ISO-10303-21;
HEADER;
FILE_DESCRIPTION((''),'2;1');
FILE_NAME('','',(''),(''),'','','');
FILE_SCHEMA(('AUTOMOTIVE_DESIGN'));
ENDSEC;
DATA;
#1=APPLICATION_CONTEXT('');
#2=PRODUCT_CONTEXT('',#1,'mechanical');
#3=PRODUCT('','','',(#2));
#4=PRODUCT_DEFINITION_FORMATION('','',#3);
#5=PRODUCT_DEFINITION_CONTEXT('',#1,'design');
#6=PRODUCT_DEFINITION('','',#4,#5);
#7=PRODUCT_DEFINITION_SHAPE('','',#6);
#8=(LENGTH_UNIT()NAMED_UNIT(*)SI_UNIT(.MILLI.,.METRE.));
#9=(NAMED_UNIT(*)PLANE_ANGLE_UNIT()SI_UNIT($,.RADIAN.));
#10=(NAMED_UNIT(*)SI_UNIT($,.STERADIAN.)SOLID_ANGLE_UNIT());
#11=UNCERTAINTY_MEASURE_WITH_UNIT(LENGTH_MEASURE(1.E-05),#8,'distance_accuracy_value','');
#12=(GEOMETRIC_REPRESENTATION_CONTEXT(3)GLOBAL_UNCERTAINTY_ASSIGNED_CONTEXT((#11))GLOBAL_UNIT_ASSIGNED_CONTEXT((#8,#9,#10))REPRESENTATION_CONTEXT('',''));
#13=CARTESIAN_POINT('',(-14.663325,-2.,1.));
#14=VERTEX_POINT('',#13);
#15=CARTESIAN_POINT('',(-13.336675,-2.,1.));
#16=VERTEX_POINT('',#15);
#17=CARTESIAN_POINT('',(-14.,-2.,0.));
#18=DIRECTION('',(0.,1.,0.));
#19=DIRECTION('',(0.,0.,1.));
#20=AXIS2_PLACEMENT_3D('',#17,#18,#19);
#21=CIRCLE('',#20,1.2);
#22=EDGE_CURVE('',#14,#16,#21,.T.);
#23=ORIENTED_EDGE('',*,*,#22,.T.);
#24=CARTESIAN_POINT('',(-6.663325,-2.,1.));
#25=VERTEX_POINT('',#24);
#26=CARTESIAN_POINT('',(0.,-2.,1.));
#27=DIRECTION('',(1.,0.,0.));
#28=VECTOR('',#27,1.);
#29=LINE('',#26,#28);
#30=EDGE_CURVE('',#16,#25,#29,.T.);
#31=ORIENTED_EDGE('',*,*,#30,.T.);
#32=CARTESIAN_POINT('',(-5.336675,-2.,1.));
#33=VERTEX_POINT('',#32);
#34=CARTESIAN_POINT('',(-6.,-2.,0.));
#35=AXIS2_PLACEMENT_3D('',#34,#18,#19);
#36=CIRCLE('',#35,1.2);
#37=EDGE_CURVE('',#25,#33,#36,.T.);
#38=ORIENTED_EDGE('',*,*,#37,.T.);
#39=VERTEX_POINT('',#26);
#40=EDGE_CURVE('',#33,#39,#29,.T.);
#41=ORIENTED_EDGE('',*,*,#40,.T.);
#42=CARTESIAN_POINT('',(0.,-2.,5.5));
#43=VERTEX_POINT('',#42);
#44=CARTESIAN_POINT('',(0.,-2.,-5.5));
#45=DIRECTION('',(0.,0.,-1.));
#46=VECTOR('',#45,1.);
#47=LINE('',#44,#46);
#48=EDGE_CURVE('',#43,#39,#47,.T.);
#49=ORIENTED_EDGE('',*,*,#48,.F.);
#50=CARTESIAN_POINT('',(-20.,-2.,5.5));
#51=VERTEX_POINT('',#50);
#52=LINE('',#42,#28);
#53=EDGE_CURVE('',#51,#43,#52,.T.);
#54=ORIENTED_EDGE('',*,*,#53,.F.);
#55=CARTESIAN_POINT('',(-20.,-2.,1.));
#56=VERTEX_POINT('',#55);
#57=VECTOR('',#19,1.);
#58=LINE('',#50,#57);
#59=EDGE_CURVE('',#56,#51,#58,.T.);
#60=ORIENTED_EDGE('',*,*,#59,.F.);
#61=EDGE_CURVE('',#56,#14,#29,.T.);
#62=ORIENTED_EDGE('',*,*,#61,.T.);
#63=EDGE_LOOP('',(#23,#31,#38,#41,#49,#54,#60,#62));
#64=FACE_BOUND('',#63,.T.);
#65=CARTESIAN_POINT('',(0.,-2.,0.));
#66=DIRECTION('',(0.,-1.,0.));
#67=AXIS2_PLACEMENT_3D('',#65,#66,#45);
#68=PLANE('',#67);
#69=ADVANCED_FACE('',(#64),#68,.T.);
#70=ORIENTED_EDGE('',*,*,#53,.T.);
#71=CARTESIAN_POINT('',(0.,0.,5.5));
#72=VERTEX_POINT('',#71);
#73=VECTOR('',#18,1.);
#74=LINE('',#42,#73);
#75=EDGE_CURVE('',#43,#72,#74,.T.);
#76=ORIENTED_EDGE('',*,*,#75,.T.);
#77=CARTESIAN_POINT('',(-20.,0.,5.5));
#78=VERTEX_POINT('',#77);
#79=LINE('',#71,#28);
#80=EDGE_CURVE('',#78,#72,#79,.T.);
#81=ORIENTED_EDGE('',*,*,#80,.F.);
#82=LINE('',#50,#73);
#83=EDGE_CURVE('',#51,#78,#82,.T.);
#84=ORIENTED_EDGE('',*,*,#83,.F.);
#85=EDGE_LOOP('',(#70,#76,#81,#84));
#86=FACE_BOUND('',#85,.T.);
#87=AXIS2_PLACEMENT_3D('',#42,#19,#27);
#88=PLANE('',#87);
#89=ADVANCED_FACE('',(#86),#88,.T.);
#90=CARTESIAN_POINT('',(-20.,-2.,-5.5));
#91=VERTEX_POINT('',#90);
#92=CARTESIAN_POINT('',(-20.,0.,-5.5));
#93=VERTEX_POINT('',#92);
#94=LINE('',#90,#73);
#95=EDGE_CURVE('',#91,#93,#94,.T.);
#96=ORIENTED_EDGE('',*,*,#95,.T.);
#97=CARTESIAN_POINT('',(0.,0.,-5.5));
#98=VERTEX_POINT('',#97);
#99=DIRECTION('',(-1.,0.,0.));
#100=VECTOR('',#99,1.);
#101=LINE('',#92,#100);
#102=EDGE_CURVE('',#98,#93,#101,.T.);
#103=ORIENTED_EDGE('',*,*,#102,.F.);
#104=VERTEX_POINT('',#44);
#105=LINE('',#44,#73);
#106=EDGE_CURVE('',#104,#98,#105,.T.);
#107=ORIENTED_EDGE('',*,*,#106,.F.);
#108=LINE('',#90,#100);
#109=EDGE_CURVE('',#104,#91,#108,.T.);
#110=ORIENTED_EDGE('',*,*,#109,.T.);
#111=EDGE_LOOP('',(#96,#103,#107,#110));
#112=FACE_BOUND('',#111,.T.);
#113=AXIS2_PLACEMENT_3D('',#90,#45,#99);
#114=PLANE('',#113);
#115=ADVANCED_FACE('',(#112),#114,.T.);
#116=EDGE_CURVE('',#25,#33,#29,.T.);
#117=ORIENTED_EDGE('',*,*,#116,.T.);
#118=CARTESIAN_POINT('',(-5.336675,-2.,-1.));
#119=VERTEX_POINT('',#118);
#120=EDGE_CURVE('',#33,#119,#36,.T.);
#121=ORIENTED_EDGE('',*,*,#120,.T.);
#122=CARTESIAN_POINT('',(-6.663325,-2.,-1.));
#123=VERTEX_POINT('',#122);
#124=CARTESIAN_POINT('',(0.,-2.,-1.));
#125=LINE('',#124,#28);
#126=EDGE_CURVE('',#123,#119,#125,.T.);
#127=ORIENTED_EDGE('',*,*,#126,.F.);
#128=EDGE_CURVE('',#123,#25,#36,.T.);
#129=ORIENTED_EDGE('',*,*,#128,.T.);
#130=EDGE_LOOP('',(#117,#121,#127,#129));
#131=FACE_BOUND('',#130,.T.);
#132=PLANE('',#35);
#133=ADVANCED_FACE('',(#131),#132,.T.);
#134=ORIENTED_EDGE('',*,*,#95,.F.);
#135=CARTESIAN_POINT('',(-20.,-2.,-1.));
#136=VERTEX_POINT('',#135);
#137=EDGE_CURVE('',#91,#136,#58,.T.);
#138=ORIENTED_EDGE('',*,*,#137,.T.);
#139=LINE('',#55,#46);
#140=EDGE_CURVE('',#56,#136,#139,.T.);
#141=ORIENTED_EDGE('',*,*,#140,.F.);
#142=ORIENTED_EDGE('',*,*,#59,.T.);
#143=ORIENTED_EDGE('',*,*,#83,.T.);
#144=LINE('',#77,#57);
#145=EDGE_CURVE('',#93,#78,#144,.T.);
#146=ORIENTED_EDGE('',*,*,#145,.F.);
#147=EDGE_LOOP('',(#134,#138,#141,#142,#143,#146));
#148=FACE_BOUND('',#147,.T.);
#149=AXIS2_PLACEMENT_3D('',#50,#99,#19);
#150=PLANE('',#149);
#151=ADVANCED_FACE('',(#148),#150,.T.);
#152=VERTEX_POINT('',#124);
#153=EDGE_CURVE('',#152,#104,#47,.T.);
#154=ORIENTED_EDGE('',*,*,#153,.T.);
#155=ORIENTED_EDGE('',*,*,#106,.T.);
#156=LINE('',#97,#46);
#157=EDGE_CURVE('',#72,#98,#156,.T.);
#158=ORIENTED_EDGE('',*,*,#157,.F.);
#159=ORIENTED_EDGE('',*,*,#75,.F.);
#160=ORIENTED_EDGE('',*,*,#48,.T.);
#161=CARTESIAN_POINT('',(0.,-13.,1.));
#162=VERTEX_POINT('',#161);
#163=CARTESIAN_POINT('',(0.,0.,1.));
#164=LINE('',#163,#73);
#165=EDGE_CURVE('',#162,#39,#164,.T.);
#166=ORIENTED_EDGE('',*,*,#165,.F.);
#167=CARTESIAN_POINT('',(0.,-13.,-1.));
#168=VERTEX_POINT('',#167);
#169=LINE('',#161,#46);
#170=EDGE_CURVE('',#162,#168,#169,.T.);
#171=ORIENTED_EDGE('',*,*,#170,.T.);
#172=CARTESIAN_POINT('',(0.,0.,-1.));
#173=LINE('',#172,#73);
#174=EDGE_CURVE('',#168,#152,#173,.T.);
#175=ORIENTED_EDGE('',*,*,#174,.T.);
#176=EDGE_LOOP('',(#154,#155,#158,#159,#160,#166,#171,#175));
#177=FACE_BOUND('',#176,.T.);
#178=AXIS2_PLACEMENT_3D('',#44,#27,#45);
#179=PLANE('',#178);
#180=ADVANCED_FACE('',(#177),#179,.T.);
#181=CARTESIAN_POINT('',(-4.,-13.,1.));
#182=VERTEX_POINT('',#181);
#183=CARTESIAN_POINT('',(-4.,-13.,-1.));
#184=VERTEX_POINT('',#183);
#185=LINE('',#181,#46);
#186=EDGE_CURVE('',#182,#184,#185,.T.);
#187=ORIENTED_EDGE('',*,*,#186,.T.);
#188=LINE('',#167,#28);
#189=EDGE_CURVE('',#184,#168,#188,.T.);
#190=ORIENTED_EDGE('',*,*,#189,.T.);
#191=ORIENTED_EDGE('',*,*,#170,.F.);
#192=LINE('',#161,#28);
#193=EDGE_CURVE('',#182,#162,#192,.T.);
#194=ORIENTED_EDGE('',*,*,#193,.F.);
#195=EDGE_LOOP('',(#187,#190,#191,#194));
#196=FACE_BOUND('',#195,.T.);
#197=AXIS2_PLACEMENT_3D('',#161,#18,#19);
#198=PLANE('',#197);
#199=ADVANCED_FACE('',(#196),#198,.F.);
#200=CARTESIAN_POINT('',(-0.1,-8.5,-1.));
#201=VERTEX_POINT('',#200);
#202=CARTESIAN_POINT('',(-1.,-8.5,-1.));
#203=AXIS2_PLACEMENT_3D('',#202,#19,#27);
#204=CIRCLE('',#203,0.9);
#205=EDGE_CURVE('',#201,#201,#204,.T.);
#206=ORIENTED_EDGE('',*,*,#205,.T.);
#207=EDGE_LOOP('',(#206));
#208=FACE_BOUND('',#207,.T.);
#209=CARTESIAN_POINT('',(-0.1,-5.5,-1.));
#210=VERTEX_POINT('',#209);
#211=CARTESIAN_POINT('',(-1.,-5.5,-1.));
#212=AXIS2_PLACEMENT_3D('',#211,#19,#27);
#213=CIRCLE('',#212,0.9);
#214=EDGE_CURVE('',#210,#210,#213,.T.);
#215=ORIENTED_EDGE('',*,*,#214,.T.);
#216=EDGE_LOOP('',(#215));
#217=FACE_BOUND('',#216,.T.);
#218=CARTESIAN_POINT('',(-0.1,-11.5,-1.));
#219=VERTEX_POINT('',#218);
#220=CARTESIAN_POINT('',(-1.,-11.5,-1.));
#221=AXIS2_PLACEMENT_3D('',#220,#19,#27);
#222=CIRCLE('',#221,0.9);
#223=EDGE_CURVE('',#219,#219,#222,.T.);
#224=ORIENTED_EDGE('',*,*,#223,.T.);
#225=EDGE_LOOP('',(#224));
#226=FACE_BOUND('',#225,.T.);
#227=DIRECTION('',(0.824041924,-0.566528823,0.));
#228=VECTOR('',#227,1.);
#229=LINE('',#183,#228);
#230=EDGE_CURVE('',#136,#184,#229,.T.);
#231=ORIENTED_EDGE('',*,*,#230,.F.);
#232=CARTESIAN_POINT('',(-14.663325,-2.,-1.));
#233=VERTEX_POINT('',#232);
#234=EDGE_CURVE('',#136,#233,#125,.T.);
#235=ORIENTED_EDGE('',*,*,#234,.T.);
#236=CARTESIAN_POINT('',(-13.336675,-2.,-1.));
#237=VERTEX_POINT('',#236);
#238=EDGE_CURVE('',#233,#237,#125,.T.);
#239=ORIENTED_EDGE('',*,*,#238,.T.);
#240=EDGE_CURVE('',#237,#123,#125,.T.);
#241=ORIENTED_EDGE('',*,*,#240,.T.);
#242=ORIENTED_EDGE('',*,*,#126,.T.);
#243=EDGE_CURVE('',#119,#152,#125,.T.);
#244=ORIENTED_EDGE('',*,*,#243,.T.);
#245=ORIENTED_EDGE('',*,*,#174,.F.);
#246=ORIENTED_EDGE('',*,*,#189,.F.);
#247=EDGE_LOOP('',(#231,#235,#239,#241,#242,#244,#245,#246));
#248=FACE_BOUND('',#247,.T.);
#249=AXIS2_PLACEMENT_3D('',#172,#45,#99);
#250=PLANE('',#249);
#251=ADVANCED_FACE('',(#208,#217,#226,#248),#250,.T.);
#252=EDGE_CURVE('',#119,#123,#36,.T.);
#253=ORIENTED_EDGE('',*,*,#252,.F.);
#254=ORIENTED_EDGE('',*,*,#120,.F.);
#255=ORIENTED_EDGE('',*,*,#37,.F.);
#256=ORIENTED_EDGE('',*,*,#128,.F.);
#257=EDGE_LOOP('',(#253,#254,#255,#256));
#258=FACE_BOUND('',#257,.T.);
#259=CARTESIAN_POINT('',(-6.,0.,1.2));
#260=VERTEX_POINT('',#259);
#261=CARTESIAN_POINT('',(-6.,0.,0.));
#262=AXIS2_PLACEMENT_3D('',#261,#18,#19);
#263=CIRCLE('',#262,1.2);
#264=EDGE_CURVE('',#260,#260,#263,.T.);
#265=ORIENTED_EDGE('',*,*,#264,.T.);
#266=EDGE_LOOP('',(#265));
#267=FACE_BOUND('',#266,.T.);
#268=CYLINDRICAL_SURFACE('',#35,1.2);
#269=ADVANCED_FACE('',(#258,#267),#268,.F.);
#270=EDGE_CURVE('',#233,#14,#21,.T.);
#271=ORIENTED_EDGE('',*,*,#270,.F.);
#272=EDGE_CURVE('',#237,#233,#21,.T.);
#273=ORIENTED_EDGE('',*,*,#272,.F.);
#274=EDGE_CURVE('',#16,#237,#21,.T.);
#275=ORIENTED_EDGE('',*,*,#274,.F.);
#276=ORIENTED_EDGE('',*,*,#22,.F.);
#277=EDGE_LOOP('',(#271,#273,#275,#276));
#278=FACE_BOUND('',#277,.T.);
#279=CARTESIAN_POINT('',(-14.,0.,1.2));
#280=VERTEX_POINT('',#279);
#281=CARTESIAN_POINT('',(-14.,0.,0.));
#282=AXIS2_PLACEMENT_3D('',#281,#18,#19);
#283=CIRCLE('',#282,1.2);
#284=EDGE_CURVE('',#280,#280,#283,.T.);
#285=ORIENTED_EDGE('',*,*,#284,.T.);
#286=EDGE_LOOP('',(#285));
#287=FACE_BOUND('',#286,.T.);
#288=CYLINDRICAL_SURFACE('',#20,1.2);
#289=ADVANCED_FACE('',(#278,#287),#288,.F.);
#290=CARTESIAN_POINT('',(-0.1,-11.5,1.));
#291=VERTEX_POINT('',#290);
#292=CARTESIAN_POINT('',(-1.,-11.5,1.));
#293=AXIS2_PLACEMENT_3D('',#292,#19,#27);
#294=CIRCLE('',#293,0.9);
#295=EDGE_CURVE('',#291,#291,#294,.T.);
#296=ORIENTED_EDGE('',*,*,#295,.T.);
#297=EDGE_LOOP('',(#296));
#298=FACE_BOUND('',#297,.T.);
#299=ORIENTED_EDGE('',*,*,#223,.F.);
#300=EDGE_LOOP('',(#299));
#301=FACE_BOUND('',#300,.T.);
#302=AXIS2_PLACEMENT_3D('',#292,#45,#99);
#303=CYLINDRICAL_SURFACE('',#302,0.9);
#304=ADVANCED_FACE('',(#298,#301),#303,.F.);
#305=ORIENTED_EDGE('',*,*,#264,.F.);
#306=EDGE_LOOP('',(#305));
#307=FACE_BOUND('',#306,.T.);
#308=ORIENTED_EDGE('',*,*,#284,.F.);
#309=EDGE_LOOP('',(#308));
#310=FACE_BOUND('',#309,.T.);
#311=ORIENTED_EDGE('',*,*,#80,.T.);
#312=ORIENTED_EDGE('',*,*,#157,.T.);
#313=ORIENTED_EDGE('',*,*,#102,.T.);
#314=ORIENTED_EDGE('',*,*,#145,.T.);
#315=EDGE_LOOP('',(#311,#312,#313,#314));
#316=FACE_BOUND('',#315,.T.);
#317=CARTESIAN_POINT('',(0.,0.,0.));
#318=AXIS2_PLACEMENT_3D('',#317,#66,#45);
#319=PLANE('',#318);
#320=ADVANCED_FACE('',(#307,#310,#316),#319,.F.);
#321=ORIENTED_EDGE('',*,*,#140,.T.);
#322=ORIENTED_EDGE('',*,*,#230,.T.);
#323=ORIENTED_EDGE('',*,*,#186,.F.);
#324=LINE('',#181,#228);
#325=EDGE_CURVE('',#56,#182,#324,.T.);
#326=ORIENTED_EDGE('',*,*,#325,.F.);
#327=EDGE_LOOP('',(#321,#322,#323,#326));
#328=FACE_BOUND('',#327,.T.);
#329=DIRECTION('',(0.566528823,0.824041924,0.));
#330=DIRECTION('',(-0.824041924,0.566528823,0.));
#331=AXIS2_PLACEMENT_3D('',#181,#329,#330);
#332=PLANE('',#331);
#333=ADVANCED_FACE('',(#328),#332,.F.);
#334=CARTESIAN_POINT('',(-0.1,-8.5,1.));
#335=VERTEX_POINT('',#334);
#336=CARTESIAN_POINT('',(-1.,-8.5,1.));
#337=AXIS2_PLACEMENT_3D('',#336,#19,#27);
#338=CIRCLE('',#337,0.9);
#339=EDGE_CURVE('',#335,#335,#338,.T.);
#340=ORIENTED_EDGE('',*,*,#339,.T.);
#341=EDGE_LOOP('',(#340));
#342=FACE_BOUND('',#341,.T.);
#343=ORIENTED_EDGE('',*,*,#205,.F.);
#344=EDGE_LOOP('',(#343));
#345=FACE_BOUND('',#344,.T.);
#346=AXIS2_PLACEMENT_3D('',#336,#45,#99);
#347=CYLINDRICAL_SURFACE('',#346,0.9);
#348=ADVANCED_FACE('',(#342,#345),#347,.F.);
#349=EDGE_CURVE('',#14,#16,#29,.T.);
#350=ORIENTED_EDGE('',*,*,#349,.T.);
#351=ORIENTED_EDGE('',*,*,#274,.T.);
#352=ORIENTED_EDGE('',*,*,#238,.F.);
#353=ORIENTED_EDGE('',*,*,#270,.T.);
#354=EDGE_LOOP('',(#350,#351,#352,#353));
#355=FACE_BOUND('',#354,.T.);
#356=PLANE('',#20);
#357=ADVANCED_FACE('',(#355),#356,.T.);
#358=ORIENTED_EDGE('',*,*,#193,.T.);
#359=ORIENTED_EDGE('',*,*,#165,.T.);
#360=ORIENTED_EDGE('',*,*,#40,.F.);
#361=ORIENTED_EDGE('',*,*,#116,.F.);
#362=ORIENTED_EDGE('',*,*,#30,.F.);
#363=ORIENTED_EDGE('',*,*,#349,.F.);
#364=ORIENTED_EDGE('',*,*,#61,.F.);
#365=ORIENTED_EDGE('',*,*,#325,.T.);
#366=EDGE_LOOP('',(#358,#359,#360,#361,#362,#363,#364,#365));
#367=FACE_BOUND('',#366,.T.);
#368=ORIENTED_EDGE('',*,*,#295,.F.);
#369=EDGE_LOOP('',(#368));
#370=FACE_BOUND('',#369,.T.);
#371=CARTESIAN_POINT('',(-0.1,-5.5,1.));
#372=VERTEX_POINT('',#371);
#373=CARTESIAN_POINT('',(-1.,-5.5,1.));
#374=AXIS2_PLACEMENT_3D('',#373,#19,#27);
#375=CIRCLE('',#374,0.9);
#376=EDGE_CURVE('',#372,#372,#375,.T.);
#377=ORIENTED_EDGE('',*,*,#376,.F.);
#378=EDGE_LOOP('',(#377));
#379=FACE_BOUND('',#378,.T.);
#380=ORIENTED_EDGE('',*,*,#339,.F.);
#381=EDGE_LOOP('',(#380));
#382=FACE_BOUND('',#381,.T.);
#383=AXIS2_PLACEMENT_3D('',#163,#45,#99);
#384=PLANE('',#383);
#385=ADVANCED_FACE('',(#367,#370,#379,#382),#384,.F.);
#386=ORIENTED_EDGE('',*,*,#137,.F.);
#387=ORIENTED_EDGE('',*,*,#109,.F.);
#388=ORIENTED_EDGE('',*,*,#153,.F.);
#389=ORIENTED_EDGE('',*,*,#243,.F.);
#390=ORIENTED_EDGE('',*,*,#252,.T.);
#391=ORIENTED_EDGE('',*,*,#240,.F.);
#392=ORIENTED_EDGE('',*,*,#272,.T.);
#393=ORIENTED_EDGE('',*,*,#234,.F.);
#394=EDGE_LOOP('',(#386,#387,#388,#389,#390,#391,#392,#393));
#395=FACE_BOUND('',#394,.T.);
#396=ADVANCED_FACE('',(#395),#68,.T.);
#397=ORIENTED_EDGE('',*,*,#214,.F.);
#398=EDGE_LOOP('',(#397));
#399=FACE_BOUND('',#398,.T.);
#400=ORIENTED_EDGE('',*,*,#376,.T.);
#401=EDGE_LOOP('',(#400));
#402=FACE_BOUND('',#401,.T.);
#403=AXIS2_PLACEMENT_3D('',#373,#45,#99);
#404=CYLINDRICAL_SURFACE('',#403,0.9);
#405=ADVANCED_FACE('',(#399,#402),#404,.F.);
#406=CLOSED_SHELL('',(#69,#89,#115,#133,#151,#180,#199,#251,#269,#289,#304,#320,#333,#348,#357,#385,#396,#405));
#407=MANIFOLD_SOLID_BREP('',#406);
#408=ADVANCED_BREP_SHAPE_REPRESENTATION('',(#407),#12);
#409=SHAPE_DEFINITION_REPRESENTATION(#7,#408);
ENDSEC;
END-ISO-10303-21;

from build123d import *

# Parameters (mm, degrees)
SKETCH1_W           = 20
SKETCH1_H           = 11
BOSS_EXTRUDE1_DEPTH = 2
BOSS_EXTRUDE2_DEPTH = 2
SKETCH3_R           = 0.9
CUT_EXTRUDE1_DEPTH  = 2
SKETCH4_R           = 1.2
CUT_EXTRUDE2_DEPTH  = 2


with BuildPart() as part:
    # Sketch1 → Boss-Extrude1 (new body)
    with BuildSketch(Plane(origin=(0, 0, 0), x_dir=(1, 0, 0), z_dir=(0, 1, 0))):
        with Locations((-10, 0)):
            Rectangle(SKETCH1_W, SKETCH1_H)
    extrude(amount=-BOSS_EXTRUDE1_DEPTH)

    # Sketch2 → Boss-Extrude2 (add)
    with BuildSketch(Plane.XY.offset(-1)):
        Polygon((0, 0), (0, -13), (-4, -13), (-20, -2), (-20, 0), align=None)
    extrude(amount=BOSS_EXTRUDE2_DEPTH)

    # Sketch3 → Cut-Extrude1 (cut)
    with BuildSketch(Plane.XY.offset(-1)):
        with Locations((-1, -5.5)):
            Circle(SKETCH3_R)
        with Locations((-1, -8.5)):
            Circle(SKETCH3_R)
        with Locations((-1, -11.5)):
            Circle(SKETCH3_R)
    extrude(amount=CUT_EXTRUDE1_DEPTH, mode=Mode.SUBTRACT)

    # Sketch4 → Cut-Extrude2 (cut)
    with BuildSketch(Plane(origin=(0, 0, 0), x_dir=(1, 0, 0), z_dir=(0, 1, 0))):
        with Locations(Location((-6, 0, 0), (0, 0, 270))):
            Circle(SKETCH4_R)
        with Locations(Location((-14, 0, 0), (0, 0, 270))):
            Circle(SKETCH4_R)
    extrude(amount=-CUT_EXTRUDE2_DEPTH, mode=Mode.SUBTRACT)


solid = part.part
